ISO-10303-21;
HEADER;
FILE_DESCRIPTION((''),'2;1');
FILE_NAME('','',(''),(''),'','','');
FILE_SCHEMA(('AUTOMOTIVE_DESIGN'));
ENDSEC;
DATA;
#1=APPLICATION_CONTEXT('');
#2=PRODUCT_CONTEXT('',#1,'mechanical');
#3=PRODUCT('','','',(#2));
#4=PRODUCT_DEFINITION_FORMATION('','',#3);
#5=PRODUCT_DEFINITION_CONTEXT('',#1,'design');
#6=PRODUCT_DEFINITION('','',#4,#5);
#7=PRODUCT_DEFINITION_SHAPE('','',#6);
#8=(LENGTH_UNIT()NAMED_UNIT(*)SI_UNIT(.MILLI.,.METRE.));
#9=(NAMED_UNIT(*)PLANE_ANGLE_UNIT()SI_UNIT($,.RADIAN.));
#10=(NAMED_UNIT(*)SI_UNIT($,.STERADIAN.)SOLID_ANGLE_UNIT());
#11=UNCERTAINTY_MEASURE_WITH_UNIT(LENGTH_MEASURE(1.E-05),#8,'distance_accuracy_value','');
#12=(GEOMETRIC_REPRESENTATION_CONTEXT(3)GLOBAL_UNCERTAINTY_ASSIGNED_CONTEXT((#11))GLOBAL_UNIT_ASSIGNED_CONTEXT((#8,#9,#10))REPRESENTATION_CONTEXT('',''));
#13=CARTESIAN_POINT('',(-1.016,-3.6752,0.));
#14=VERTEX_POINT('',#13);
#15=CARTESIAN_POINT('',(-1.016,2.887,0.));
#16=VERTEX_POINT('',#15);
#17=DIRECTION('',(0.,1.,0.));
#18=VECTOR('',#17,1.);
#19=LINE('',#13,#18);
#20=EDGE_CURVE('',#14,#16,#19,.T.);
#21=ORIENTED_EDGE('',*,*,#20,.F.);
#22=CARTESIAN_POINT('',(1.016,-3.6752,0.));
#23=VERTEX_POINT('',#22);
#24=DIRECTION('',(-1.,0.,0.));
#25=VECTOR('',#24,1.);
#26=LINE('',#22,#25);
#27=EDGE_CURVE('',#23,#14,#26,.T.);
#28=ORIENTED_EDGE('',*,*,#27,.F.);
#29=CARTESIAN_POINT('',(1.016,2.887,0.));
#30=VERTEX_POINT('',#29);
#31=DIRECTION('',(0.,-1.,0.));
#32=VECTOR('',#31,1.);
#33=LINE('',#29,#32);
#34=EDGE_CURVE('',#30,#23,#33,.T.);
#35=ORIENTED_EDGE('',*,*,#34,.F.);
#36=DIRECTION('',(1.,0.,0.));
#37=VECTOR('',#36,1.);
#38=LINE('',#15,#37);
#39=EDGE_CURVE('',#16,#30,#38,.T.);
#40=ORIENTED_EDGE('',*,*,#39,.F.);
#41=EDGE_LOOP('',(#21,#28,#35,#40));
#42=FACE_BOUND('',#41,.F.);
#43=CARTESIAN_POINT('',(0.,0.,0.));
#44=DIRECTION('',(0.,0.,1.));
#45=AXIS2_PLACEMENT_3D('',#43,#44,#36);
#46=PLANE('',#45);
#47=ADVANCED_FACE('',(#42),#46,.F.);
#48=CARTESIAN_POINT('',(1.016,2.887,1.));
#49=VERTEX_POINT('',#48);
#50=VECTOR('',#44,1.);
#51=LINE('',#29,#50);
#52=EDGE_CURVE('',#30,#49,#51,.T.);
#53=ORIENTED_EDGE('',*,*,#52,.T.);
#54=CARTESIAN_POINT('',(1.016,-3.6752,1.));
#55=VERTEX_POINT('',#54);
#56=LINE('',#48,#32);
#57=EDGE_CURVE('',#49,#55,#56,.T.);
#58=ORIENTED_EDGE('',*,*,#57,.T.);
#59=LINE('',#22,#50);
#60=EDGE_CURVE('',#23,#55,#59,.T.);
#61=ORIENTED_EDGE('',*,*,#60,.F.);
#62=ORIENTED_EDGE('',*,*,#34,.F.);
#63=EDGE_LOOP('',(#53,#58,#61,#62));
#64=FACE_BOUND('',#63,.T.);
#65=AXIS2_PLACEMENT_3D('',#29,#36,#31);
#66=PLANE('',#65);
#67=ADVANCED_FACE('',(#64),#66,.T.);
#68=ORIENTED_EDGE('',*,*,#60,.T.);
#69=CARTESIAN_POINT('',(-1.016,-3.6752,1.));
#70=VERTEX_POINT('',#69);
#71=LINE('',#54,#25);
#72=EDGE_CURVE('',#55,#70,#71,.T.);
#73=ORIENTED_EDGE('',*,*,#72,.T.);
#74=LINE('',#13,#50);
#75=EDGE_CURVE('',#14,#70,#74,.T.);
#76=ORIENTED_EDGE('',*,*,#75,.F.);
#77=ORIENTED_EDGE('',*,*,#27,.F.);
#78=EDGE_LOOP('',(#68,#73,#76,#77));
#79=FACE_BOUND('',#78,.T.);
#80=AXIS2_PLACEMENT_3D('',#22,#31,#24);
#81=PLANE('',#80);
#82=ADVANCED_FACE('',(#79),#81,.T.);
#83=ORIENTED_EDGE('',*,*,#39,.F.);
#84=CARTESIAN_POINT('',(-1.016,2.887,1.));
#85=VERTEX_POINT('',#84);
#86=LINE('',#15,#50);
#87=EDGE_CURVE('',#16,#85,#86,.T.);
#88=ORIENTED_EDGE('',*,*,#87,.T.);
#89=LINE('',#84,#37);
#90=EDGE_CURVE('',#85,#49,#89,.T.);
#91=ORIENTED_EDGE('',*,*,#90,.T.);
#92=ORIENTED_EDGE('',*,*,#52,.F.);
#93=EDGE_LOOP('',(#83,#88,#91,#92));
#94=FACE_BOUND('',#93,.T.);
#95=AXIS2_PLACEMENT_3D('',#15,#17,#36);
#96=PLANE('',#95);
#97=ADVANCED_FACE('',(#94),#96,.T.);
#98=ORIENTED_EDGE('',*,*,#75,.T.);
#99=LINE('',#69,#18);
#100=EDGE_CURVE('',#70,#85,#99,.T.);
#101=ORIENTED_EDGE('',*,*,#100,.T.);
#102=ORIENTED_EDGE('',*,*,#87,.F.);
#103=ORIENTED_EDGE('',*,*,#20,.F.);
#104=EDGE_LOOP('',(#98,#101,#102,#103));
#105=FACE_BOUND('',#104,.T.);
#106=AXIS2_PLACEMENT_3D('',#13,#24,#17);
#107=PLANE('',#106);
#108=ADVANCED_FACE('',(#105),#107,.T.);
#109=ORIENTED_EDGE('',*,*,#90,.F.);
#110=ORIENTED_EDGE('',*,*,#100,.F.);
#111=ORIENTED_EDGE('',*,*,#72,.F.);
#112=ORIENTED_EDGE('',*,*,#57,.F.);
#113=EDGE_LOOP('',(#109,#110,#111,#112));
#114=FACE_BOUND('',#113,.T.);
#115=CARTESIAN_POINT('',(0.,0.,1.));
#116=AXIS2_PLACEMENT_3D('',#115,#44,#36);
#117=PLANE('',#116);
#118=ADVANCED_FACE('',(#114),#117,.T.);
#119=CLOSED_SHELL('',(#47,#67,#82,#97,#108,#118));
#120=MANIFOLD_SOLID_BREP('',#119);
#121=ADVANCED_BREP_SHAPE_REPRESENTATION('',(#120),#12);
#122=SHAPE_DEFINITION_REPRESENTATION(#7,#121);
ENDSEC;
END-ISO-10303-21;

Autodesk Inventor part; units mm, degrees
ref_plane "YZ Plane" through (0, 0, 0) normal (1, 0, 0) x (0, 1, 0)
ref_plane "XZ Plane" through (0, 0, 0) normal (0, 1, 0) x (-1, 0, 0)
ref_plane "XY Plane" through (0, 0, 0) normal (0, 0, 1) x (1, 0, 0)
sketch "MS3V-T1R, 32_768KHZ_91" plane through (0, 0, 0) normal (0, 0, 1) x (1, 0, 0)
  line L0 (-1.016, 2.887) -> (1.016, 2.887)
  line L1 (1.016, 2.887) -> (1.016, -3.6752)
  line L2 (1.016, -3.6752) -> (-1.016, -3.6752)
  line L3 (-1.016, -3.6752) -> (-1.016, 2.887)
extrude "Extrusion1" add sketch "MS3V-T1R, 32_768KHZ_91" along normal blind 1
properties part number "32_768KHZ"
